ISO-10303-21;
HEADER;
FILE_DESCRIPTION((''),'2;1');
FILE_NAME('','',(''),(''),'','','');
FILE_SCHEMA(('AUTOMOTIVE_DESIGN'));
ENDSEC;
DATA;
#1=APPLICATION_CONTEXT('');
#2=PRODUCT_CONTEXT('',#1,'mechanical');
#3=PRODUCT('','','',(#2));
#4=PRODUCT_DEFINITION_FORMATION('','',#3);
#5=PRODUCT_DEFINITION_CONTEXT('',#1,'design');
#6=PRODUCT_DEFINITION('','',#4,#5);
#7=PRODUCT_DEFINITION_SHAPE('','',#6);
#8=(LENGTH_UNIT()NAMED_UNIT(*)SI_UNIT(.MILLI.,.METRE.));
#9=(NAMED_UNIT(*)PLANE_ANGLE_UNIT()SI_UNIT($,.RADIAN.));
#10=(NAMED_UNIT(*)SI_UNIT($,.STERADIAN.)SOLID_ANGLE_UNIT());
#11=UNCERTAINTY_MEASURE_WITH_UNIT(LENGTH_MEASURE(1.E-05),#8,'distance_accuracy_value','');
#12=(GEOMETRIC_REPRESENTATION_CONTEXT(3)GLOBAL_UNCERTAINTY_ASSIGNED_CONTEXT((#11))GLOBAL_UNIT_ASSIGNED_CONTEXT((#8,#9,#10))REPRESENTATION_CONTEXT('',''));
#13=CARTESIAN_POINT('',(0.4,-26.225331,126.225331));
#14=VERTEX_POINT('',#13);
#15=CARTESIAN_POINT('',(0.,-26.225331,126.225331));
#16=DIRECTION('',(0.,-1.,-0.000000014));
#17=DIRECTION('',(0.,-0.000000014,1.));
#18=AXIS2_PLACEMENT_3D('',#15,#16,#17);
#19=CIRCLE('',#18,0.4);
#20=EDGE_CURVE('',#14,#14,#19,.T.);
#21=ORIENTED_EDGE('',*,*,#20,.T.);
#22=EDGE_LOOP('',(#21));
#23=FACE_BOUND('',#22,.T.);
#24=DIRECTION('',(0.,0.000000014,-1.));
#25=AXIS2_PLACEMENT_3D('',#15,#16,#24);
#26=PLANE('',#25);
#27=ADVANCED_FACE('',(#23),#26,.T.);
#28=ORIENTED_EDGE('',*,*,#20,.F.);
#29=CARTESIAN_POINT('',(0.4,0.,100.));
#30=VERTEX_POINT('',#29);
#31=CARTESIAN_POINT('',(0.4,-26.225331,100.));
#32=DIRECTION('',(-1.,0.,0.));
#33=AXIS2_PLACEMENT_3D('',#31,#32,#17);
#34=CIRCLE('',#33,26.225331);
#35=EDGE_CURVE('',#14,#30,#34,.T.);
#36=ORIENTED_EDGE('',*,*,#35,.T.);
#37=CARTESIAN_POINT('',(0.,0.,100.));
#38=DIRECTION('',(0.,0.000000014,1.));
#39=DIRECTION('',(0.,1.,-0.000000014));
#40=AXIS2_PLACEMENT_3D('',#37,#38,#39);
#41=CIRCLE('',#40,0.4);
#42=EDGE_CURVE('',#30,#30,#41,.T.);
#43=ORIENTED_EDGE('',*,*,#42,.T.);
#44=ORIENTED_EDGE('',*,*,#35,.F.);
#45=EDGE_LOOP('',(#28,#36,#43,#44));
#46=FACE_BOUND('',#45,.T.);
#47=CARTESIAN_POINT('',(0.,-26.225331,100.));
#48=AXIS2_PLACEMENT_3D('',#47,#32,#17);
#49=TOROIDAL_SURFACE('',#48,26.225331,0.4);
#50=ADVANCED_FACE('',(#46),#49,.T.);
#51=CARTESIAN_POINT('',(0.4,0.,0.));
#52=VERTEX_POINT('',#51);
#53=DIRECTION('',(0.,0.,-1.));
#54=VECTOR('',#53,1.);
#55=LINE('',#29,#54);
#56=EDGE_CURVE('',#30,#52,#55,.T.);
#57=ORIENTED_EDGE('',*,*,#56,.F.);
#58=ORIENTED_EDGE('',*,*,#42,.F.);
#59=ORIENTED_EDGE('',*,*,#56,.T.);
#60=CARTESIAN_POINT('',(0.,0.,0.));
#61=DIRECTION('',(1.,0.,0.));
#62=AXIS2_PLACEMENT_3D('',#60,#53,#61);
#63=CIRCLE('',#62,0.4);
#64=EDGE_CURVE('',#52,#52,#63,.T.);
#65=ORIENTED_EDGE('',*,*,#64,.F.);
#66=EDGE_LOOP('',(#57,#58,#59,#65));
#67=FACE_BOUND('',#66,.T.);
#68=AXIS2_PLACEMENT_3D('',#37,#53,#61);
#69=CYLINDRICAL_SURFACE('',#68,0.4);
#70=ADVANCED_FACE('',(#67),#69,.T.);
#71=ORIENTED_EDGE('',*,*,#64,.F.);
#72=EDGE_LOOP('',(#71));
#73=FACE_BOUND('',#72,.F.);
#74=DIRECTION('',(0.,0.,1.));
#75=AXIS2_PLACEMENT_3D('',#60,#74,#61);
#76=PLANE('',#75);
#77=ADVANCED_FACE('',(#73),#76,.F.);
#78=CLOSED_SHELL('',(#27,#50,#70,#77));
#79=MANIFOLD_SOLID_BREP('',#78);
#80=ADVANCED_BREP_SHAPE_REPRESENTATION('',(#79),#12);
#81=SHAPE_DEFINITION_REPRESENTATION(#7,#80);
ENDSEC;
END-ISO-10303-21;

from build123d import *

# Parameters (mm, degrees)
F1_R = 0.4


with BuildPart() as f2:
    # F2: sweep along a path in F0
    with BuildLine(Plane.YZ) as f2_path:
        ThreePointArc((-26.225331, 126.225331), (-7.681222, 118.54411), (0, 100))
        Line((0, 100), (0, 0))
    # F1 (on Top) → F2 (sweep)
    with BuildSketch(Plane.XY):
        Circle(F1_R)
    sweep(path=f2_path.line)


solid = f2.part
